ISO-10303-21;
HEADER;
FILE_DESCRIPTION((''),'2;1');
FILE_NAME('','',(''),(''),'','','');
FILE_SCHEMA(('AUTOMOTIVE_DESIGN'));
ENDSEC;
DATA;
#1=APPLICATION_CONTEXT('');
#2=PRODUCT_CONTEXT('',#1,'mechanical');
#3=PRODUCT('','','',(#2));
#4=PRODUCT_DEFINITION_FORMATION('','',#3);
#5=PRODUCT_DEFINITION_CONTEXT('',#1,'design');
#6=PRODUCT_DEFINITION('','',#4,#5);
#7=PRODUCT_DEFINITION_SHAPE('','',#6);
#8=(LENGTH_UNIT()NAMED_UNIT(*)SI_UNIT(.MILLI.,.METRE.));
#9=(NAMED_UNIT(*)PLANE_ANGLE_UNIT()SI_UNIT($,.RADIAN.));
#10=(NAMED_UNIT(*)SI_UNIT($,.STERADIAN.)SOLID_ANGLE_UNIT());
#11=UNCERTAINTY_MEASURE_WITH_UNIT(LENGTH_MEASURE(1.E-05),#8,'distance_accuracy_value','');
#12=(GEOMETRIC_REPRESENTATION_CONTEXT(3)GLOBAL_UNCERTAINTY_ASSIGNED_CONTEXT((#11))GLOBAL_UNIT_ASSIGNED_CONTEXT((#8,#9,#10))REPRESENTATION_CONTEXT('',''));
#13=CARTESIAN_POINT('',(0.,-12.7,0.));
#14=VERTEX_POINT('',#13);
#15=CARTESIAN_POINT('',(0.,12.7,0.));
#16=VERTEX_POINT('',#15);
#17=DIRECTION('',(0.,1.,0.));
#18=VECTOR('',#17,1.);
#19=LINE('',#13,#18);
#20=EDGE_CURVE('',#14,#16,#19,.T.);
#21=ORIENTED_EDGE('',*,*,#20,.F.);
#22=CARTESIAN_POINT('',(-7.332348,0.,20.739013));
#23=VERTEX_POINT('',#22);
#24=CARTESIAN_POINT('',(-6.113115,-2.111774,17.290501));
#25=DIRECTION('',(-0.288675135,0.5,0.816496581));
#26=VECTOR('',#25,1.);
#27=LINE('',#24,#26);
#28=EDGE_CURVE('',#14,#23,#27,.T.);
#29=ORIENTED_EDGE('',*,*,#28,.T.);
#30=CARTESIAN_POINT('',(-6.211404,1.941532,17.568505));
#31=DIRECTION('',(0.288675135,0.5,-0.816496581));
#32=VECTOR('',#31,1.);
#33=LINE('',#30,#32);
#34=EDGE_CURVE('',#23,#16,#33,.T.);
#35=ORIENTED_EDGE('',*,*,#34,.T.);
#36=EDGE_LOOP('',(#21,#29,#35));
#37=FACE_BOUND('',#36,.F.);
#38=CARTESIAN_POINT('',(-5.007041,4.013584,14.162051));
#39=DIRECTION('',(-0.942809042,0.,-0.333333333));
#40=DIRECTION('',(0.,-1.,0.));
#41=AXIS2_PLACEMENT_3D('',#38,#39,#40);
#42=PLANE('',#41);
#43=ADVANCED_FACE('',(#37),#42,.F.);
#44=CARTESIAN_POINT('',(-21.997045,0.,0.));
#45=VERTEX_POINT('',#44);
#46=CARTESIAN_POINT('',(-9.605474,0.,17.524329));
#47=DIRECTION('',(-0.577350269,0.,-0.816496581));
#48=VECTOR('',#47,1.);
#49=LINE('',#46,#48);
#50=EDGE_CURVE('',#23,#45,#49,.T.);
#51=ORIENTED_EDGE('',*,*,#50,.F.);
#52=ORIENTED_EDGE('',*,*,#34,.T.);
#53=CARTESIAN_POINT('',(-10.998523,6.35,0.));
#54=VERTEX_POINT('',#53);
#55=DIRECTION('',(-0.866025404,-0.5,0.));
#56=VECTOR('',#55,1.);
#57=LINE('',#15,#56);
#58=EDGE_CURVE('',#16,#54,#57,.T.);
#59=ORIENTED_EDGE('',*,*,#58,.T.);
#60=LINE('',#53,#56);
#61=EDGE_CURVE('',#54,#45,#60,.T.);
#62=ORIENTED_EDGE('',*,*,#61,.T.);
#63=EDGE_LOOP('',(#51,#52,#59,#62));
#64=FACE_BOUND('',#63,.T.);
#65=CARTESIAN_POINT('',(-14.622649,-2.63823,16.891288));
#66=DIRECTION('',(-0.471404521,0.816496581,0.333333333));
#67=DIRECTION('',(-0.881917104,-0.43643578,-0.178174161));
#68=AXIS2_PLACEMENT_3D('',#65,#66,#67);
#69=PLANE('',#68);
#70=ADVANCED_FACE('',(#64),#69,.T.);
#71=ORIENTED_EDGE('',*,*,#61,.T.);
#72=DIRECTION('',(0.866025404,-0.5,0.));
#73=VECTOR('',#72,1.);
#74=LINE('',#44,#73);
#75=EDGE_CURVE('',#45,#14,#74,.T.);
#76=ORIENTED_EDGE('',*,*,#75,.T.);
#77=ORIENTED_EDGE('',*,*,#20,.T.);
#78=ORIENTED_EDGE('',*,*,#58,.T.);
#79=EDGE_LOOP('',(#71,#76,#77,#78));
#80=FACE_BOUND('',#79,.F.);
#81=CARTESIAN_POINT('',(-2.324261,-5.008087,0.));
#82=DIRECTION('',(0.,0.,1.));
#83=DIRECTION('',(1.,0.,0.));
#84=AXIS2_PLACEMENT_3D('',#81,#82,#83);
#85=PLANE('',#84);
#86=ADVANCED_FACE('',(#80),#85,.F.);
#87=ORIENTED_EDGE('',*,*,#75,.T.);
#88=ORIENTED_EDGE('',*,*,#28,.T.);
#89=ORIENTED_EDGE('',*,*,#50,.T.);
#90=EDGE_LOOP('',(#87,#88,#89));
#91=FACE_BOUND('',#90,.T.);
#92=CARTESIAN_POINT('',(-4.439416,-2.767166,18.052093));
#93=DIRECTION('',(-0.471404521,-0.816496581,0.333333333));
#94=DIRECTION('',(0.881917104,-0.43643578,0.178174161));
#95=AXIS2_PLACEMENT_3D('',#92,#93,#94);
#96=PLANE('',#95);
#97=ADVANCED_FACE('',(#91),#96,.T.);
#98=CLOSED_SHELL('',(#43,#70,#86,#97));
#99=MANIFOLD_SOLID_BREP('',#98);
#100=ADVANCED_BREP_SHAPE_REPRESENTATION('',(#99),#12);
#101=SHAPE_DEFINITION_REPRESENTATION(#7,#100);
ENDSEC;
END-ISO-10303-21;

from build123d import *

# Parameters (mm, degrees)
F4_DEPTH  = 25.4
F5_W      = 46.6010663658
F5_H      = 39.7627335042
F6_DEPTH  = 25.4
F8_W      = 68.0729933083
F8_H      = 50.7683739997
F9_DEPTH  = 25.4
F11_W     = 45.6217722967
F11_H     = 58.1790879369
F12_DEPTH = 25.4


with BuildPart() as f4:
    # F0 (on Top) → F4 (new body)
    with BuildSketch(Plane.XY):
        Polygon((0, -12.7), (0, 0), (-7.3323484187, 0), align=None)
        Polygon((-7.3323484187, 0), (0, 0), (0, 12.7), (-10.9985226281, 6.35), align=None)
        Polygon((-21.9970452561, 0), (0, -12.7), (-7.3323484187, 0), align=None)
        Polygon((-21.9970452561, 0), (-7.3323484187, 0), (-10.9985226281, 6.35), align=None)
    extrude(amount=F4_DEPTH)

    # F5 (on 3pt) → F6 (cut)
    with BuildSketch(Plane(origin=(0, 0, 0), x_dir=(0, -1, 0), z_dir=(-0.9428090416, 0, -0.3333333333))):
        with Locations((-4.0135839954, 15.0211239234)):
            Rectangle(F5_W, F5_H)
    extrude(amount=-F6_DEPTH, mode=Mode.SUBTRACT)

    # F8 (on 3pt) → F9 (cut)
    with BuildSketch(Plane(origin=(-4.8882322791, -8.4666666667, 3.4565021926), x_dir=(0.8819171037, -0.4364357805, 0.1781741613), z_dir=(-0.4714045208, -0.8164965809, 0.3333333333))):
        with Locations((0.508910045, 15.6671002042)):
            Rectangle(F8_W, F8_H)
    extrude(amount=F9_DEPTH, mode=Mode.SUBTRACT)

    # F11 (on 3pt) → F12 (cut)
    with BuildSketch(Plane(origin=(-4.8882322791, 8.4666666667, 3.4565021926), x_dir=(-0.8819171037, -0.4364357805, -0.1781741613), z_dir=(-0.4714045208, 0.8164965809, 0.3333333333))):
        with Locations((11.0377906822, 16.6354514658)):
            Rectangle(F11_W, F11_H)
    extrude(amount=F12_DEPTH, mode=Mode.SUBTRACT)


solid = f4.part
